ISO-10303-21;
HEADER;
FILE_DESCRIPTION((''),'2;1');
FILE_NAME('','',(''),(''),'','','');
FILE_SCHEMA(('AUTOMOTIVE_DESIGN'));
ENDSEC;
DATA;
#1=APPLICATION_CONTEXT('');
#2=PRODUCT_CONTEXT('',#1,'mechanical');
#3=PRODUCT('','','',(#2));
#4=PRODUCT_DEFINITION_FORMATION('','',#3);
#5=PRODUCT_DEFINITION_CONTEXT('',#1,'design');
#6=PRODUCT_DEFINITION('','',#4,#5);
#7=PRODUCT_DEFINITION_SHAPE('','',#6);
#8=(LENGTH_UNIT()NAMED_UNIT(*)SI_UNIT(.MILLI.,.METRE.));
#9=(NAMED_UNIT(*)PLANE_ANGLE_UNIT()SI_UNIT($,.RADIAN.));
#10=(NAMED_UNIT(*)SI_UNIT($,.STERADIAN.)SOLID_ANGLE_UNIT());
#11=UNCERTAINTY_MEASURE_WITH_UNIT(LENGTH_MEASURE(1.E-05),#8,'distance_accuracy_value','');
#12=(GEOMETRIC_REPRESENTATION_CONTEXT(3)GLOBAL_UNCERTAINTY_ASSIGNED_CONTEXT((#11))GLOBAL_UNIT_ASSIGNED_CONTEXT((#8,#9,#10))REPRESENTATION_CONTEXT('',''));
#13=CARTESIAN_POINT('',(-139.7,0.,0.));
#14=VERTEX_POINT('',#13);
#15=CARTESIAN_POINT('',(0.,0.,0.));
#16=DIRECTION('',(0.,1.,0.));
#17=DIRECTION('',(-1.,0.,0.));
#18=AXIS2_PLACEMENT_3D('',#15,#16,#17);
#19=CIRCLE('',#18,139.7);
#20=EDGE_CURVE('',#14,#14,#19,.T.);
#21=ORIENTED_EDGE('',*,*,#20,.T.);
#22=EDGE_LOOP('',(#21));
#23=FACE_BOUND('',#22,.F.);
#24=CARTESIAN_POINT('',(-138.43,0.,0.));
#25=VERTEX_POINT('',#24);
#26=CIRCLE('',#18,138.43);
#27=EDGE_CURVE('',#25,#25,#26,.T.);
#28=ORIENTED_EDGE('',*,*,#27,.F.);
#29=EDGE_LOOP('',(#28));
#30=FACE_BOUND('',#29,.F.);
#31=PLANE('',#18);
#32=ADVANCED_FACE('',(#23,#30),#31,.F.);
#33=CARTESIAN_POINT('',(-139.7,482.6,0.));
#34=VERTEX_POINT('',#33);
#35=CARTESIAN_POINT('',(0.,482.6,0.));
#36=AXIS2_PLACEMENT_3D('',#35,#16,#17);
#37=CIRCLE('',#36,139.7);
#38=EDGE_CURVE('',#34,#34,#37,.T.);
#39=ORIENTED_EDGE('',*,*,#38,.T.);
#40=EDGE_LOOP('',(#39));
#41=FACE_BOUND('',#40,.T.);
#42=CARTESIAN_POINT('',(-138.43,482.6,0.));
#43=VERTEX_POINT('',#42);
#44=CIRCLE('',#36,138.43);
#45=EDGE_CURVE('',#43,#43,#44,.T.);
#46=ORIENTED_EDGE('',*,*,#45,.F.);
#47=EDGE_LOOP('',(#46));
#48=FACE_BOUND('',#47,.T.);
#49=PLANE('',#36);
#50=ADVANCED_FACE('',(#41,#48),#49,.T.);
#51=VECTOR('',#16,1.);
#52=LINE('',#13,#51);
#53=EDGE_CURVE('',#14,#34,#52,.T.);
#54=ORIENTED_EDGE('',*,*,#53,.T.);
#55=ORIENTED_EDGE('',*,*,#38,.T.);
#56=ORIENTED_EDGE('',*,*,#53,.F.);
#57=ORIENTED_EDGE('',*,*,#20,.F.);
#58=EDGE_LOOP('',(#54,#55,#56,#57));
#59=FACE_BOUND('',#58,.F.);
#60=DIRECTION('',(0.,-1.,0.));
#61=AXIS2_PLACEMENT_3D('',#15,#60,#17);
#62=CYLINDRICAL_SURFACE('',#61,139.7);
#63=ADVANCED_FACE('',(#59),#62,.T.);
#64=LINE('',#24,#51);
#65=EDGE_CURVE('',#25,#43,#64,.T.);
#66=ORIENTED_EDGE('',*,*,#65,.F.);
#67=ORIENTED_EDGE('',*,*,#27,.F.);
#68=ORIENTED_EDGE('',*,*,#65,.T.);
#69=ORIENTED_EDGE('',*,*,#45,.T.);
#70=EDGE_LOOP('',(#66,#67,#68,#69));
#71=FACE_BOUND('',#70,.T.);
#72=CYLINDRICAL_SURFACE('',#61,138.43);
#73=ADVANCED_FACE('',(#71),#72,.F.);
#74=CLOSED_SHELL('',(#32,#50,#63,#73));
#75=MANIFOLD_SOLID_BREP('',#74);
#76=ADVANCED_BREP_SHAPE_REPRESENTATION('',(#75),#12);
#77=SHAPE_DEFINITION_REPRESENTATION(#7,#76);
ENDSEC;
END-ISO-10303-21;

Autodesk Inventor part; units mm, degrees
ref_plane "YZ Plane" through (0, 0, 0) normal (1, 0, 0) x (0, 1, 0)
ref_plane "XZ Plane" through (0, 0, 0) normal (0, 1, 0) x (-1, 0, 0)
ref_plane "XY Plane" through (0, 0, 0) normal (0, 0, 1) x (1, 0, 0)
sketch "Sketch1" plane through (0, 0, 0) normal (0, 1, 0) x (-1, 0, 0)
  circle A0 centre (0, 0) radius 138.43
  circle A1 centre (0, 0) radius 139.7
  dimension "d0" = 276.86
  dimension "d1" = 279.4
extrude "Extrusion1" add sketch "Sketch1" along normal blind 482.6
properties part number "55K mini shield" material "Aluminum 6061"
